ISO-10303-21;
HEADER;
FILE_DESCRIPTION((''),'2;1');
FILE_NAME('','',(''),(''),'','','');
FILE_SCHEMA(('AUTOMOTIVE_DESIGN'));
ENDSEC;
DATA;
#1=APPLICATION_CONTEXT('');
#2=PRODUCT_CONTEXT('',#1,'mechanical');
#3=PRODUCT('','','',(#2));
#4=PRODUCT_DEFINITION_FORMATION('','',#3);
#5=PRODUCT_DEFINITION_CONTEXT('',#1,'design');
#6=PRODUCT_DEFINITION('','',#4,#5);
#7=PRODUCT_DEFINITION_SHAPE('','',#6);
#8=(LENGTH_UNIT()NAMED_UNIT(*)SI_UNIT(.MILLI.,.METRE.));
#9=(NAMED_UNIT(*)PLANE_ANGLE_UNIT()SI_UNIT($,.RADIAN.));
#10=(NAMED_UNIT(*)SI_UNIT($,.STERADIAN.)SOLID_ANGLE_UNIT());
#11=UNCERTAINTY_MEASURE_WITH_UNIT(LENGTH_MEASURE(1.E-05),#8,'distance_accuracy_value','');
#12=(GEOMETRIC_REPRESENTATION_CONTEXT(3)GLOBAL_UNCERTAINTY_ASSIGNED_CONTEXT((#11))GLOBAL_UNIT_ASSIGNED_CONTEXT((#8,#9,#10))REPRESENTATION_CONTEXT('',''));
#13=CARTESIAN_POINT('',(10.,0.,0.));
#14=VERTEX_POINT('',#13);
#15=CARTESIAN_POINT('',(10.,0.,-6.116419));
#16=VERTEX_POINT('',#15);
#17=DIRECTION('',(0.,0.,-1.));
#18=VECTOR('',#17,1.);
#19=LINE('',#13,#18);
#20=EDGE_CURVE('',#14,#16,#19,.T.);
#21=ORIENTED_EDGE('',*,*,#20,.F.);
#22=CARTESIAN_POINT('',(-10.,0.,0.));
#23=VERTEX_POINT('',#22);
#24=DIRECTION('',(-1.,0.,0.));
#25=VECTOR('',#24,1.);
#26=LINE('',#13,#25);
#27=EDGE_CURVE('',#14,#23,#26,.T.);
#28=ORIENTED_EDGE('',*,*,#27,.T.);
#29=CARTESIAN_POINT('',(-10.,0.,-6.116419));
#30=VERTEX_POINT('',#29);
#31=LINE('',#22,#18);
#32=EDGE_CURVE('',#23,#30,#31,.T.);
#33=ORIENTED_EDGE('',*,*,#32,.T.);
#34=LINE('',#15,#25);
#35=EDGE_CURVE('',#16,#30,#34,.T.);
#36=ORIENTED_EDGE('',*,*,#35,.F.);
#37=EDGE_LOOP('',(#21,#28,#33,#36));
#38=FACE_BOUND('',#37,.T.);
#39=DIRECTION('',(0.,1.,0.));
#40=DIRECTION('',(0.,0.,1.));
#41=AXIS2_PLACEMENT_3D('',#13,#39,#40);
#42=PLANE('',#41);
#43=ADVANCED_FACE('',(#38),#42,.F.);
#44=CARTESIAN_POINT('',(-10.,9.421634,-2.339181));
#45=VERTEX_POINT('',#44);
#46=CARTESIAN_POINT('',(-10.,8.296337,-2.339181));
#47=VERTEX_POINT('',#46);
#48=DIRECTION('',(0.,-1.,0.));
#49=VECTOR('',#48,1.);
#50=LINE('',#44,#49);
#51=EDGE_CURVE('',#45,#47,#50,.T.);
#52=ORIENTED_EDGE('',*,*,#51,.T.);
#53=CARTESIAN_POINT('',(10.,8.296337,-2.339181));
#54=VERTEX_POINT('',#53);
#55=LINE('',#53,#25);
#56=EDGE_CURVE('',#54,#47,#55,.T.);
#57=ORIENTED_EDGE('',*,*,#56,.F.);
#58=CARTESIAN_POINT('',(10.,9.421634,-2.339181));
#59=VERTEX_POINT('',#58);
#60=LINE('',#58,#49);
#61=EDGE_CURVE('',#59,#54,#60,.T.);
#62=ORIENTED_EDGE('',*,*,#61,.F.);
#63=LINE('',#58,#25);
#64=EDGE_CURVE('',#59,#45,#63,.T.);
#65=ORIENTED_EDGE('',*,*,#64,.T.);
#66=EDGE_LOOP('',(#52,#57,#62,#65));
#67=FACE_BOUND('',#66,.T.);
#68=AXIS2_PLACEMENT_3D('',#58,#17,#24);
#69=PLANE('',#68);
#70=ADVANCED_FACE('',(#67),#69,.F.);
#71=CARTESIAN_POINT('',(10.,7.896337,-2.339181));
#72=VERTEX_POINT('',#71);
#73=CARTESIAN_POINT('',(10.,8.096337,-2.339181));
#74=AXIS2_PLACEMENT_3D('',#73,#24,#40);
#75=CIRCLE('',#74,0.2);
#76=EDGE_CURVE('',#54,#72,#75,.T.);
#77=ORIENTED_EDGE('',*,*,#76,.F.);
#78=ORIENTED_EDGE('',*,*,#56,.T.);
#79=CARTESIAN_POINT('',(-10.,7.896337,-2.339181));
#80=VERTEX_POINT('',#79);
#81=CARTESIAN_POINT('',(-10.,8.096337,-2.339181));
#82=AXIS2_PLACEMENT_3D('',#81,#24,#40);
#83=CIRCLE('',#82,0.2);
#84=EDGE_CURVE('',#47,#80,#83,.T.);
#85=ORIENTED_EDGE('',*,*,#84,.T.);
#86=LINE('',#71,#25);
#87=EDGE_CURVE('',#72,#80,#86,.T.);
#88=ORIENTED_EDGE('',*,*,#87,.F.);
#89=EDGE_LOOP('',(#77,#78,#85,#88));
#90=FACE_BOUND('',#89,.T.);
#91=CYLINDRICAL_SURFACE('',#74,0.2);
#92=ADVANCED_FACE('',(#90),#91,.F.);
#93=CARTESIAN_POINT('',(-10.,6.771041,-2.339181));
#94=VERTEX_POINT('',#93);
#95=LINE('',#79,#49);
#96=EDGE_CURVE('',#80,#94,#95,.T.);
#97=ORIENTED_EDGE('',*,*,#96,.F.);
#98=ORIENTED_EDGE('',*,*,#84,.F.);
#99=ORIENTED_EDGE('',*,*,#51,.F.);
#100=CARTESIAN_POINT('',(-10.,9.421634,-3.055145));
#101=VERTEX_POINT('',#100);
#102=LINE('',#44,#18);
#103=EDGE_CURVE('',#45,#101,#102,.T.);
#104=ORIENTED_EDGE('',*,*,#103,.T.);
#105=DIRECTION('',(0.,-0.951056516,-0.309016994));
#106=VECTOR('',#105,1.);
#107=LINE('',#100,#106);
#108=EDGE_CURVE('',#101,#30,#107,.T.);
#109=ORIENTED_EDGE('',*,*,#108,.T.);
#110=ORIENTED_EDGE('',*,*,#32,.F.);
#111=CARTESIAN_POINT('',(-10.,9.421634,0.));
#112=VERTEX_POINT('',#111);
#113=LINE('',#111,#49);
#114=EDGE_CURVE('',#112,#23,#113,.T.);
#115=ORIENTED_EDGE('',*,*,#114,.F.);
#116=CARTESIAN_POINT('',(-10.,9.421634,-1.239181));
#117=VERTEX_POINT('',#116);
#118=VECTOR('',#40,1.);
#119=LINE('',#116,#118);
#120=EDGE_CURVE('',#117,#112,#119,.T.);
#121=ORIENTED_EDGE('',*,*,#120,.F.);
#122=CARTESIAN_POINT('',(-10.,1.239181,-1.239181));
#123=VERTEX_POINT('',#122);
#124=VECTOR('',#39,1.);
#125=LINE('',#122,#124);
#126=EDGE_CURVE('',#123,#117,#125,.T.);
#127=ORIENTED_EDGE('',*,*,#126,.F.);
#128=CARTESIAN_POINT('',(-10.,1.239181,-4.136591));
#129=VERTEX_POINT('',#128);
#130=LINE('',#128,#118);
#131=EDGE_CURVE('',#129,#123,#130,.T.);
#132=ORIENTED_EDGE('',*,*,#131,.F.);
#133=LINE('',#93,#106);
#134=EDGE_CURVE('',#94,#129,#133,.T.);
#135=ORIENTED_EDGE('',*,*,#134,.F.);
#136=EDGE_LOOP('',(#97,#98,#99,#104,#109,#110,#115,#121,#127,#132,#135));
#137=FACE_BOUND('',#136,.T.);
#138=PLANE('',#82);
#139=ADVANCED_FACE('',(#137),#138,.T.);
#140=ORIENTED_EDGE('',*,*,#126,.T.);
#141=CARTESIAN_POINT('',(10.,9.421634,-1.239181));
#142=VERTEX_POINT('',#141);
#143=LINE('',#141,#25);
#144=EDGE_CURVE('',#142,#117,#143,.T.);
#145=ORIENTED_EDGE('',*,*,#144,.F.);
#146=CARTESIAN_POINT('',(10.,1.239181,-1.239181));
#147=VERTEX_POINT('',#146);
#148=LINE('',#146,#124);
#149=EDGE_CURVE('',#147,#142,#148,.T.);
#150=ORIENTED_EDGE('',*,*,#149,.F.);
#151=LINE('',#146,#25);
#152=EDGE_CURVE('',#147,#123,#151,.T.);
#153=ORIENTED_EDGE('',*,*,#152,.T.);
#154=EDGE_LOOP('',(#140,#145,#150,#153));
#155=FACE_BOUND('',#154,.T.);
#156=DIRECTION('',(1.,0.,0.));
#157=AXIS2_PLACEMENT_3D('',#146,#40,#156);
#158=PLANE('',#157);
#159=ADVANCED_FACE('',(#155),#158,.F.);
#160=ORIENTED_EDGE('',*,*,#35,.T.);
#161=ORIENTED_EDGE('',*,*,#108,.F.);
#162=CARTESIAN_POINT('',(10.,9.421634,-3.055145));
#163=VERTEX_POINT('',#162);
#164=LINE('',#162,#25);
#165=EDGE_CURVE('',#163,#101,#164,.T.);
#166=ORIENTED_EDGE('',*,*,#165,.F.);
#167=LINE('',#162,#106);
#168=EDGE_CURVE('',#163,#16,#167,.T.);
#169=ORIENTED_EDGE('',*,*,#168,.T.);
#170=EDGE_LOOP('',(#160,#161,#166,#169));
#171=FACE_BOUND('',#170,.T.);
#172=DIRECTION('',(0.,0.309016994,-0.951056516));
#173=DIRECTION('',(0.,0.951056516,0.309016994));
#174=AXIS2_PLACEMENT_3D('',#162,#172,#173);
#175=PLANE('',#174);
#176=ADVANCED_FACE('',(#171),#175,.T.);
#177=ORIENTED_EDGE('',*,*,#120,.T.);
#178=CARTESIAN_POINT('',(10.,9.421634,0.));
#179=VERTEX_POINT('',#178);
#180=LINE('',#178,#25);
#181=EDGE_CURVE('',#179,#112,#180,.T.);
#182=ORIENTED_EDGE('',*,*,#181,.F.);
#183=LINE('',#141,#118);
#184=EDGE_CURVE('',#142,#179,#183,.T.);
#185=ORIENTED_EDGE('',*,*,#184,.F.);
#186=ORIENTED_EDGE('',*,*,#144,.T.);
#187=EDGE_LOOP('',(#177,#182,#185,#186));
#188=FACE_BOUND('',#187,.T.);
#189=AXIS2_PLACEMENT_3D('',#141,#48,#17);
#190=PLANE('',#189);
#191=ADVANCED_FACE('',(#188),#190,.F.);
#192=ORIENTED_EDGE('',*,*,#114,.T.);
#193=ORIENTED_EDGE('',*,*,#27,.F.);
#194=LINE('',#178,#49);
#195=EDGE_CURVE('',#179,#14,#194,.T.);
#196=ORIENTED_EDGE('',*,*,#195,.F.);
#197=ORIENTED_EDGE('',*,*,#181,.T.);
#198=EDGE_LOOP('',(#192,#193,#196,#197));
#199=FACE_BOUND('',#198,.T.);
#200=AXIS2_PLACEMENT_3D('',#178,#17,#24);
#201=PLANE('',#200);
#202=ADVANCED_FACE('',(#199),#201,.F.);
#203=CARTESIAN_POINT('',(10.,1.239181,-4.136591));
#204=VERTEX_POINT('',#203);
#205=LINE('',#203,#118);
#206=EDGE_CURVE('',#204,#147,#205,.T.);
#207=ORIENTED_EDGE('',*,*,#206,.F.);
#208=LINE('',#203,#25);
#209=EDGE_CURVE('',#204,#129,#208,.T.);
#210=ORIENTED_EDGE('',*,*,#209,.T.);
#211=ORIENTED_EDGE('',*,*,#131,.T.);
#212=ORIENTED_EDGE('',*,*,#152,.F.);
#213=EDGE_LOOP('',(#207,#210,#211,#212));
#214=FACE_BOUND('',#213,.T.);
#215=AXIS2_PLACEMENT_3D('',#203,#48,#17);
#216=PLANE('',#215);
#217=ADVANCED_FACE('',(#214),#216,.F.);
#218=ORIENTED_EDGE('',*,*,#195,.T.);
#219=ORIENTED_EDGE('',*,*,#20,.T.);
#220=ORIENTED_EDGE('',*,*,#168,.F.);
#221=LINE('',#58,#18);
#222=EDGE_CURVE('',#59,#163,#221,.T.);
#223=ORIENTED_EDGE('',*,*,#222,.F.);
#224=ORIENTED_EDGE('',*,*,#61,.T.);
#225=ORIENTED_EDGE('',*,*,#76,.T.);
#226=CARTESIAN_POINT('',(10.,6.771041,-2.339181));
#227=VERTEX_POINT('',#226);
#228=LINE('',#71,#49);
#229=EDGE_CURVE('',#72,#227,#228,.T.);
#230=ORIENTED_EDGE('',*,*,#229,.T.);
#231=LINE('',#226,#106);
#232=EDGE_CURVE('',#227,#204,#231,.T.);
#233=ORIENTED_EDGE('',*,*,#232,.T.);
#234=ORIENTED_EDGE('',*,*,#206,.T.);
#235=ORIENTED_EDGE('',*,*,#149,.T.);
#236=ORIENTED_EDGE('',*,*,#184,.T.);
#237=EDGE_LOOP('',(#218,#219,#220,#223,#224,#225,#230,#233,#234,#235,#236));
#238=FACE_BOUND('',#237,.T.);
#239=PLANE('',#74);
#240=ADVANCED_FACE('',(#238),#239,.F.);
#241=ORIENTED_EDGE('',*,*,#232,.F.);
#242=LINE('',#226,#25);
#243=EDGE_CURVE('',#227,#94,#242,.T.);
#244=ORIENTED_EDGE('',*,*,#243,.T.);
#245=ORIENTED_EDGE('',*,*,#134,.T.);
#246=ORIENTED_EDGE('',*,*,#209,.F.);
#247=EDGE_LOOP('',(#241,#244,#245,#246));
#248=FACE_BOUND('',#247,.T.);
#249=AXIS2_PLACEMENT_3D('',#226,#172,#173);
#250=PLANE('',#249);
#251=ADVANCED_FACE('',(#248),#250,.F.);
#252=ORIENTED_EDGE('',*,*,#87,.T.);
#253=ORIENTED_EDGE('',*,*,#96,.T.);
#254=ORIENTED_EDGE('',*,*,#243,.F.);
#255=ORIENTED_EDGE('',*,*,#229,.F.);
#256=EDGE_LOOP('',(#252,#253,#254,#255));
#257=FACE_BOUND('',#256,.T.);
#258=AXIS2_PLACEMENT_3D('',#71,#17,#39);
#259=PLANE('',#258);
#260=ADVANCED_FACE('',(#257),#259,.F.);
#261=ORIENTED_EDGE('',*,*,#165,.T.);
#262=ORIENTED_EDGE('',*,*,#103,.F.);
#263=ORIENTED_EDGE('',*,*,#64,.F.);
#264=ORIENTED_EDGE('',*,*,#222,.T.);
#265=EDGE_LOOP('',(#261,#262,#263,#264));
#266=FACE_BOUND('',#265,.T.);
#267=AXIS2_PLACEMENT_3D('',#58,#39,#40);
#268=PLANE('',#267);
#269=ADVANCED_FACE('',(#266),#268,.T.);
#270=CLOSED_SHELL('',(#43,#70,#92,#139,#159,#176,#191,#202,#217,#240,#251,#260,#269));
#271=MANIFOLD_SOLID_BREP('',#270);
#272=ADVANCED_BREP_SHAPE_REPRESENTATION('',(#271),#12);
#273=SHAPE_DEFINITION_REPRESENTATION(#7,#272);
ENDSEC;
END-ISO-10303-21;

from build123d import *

# Parameters (mm, degrees)
BOSS_EXTRUDE1_DEPTH = 10


with BuildPart() as part:
    # Sketch1 → Boss-Extrude1 (new, symmetric)
    with BuildSketch(Plane(origin=(0, 0, 0), x_dir=(0, 0, -1), z_dir=(1, 0, 0))):
        with BuildLine():
            Line((0, 0), (6.116419195, 0))
            Line((6.116419195, 0), (3.055144814, 9.421633765))
            Line((3.055144814, 9.421633765), (2.339181313, 9.421633765))
            Line((2.339181313, 9.421633765), (2.339181313, 8.296337322))
            ThreePointArc((2.339181313, 8.296337322), (2.539181313, 8.096337322), (2.339181313, 7.896337322))
            Line((2.339181313, 7.896337322), (2.339181313, 6.771040879))
            Line((2.339181313, 6.771040879), (4.136591443, 1.239181313))
            Line((4.136591443, 1.239181313), (1.239181313, 1.239181313))
            Line((1.239181313, 1.239181313), (1.239181313, 9.421633765))
            Line((1.239181313, 9.421633765), (0, 9.421633765))
            Line((0, 9.421633765), (0, 0))
        make_face()
    extrude(amount=BOSS_EXTRUDE1_DEPTH, both=True)


solid = part.part
